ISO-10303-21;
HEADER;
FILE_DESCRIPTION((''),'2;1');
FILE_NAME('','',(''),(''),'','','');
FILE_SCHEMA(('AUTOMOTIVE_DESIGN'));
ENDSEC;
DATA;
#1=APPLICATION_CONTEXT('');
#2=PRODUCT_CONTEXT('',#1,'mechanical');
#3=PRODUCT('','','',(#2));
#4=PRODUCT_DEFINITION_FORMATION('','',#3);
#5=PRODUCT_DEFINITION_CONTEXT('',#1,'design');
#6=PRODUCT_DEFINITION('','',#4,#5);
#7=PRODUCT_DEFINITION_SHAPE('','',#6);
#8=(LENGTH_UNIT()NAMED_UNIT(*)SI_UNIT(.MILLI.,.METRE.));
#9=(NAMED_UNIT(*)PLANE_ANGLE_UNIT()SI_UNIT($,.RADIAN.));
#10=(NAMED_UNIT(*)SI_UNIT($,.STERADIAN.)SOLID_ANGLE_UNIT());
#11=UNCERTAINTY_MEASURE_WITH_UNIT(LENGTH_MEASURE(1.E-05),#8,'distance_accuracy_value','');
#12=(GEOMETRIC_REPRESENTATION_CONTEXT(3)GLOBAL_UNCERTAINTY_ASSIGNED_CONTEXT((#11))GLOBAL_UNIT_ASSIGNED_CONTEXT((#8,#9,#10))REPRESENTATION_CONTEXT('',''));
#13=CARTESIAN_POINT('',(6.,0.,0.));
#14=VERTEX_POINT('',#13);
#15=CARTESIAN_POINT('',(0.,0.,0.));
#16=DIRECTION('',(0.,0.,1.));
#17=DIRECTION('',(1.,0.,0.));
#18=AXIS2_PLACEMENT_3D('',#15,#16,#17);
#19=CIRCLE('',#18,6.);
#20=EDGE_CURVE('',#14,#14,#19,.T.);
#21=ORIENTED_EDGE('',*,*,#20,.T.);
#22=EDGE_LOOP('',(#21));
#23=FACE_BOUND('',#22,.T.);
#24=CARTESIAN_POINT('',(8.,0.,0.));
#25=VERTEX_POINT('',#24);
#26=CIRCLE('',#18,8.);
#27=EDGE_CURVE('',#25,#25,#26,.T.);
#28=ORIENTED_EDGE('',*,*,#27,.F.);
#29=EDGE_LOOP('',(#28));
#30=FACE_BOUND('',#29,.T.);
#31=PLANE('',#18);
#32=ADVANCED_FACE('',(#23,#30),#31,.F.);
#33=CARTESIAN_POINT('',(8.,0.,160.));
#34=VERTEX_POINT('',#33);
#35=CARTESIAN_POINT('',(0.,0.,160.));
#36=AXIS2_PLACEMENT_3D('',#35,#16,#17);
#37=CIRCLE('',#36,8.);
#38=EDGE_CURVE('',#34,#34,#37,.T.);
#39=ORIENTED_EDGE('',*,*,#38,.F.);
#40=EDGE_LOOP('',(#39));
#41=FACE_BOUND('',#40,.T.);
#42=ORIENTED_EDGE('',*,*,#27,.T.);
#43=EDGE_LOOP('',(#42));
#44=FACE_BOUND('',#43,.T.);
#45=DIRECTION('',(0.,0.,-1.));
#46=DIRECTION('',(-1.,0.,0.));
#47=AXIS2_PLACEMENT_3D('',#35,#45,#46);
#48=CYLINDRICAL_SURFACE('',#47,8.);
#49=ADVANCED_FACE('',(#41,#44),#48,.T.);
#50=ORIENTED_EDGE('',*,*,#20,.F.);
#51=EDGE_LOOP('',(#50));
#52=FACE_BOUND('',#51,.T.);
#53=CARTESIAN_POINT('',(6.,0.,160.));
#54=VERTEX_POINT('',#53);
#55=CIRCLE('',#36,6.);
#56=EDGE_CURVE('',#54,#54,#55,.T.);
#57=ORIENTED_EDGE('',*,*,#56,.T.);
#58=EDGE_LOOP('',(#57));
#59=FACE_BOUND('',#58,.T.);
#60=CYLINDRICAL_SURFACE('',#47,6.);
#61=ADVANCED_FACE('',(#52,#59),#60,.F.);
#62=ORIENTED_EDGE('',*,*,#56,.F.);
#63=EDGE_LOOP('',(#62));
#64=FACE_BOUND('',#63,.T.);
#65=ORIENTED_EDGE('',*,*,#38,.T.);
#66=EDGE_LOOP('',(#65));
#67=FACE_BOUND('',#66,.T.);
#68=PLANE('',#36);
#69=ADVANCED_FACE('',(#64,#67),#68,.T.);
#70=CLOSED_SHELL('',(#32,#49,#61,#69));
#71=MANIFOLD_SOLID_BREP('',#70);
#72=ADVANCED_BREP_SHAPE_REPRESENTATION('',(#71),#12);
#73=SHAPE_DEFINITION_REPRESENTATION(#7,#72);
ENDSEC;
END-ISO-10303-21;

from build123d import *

# Parameters (mm, degrees)
SKETCH_1_R      = 8
SKETCH_1_R_2    = 6
EXTRUDE_1_DEPTH = 160


with BuildPart() as part:
    # 草图1 → 凸台-拉伸1 (new body)
    with BuildSketch(Plane.XY):
        Circle(SKETCH_1_R)
        Circle(SKETCH_1_R_2, mode=Mode.SUBTRACT)
    extrude(amount=EXTRUDE_1_DEPTH)


solid = part.part
